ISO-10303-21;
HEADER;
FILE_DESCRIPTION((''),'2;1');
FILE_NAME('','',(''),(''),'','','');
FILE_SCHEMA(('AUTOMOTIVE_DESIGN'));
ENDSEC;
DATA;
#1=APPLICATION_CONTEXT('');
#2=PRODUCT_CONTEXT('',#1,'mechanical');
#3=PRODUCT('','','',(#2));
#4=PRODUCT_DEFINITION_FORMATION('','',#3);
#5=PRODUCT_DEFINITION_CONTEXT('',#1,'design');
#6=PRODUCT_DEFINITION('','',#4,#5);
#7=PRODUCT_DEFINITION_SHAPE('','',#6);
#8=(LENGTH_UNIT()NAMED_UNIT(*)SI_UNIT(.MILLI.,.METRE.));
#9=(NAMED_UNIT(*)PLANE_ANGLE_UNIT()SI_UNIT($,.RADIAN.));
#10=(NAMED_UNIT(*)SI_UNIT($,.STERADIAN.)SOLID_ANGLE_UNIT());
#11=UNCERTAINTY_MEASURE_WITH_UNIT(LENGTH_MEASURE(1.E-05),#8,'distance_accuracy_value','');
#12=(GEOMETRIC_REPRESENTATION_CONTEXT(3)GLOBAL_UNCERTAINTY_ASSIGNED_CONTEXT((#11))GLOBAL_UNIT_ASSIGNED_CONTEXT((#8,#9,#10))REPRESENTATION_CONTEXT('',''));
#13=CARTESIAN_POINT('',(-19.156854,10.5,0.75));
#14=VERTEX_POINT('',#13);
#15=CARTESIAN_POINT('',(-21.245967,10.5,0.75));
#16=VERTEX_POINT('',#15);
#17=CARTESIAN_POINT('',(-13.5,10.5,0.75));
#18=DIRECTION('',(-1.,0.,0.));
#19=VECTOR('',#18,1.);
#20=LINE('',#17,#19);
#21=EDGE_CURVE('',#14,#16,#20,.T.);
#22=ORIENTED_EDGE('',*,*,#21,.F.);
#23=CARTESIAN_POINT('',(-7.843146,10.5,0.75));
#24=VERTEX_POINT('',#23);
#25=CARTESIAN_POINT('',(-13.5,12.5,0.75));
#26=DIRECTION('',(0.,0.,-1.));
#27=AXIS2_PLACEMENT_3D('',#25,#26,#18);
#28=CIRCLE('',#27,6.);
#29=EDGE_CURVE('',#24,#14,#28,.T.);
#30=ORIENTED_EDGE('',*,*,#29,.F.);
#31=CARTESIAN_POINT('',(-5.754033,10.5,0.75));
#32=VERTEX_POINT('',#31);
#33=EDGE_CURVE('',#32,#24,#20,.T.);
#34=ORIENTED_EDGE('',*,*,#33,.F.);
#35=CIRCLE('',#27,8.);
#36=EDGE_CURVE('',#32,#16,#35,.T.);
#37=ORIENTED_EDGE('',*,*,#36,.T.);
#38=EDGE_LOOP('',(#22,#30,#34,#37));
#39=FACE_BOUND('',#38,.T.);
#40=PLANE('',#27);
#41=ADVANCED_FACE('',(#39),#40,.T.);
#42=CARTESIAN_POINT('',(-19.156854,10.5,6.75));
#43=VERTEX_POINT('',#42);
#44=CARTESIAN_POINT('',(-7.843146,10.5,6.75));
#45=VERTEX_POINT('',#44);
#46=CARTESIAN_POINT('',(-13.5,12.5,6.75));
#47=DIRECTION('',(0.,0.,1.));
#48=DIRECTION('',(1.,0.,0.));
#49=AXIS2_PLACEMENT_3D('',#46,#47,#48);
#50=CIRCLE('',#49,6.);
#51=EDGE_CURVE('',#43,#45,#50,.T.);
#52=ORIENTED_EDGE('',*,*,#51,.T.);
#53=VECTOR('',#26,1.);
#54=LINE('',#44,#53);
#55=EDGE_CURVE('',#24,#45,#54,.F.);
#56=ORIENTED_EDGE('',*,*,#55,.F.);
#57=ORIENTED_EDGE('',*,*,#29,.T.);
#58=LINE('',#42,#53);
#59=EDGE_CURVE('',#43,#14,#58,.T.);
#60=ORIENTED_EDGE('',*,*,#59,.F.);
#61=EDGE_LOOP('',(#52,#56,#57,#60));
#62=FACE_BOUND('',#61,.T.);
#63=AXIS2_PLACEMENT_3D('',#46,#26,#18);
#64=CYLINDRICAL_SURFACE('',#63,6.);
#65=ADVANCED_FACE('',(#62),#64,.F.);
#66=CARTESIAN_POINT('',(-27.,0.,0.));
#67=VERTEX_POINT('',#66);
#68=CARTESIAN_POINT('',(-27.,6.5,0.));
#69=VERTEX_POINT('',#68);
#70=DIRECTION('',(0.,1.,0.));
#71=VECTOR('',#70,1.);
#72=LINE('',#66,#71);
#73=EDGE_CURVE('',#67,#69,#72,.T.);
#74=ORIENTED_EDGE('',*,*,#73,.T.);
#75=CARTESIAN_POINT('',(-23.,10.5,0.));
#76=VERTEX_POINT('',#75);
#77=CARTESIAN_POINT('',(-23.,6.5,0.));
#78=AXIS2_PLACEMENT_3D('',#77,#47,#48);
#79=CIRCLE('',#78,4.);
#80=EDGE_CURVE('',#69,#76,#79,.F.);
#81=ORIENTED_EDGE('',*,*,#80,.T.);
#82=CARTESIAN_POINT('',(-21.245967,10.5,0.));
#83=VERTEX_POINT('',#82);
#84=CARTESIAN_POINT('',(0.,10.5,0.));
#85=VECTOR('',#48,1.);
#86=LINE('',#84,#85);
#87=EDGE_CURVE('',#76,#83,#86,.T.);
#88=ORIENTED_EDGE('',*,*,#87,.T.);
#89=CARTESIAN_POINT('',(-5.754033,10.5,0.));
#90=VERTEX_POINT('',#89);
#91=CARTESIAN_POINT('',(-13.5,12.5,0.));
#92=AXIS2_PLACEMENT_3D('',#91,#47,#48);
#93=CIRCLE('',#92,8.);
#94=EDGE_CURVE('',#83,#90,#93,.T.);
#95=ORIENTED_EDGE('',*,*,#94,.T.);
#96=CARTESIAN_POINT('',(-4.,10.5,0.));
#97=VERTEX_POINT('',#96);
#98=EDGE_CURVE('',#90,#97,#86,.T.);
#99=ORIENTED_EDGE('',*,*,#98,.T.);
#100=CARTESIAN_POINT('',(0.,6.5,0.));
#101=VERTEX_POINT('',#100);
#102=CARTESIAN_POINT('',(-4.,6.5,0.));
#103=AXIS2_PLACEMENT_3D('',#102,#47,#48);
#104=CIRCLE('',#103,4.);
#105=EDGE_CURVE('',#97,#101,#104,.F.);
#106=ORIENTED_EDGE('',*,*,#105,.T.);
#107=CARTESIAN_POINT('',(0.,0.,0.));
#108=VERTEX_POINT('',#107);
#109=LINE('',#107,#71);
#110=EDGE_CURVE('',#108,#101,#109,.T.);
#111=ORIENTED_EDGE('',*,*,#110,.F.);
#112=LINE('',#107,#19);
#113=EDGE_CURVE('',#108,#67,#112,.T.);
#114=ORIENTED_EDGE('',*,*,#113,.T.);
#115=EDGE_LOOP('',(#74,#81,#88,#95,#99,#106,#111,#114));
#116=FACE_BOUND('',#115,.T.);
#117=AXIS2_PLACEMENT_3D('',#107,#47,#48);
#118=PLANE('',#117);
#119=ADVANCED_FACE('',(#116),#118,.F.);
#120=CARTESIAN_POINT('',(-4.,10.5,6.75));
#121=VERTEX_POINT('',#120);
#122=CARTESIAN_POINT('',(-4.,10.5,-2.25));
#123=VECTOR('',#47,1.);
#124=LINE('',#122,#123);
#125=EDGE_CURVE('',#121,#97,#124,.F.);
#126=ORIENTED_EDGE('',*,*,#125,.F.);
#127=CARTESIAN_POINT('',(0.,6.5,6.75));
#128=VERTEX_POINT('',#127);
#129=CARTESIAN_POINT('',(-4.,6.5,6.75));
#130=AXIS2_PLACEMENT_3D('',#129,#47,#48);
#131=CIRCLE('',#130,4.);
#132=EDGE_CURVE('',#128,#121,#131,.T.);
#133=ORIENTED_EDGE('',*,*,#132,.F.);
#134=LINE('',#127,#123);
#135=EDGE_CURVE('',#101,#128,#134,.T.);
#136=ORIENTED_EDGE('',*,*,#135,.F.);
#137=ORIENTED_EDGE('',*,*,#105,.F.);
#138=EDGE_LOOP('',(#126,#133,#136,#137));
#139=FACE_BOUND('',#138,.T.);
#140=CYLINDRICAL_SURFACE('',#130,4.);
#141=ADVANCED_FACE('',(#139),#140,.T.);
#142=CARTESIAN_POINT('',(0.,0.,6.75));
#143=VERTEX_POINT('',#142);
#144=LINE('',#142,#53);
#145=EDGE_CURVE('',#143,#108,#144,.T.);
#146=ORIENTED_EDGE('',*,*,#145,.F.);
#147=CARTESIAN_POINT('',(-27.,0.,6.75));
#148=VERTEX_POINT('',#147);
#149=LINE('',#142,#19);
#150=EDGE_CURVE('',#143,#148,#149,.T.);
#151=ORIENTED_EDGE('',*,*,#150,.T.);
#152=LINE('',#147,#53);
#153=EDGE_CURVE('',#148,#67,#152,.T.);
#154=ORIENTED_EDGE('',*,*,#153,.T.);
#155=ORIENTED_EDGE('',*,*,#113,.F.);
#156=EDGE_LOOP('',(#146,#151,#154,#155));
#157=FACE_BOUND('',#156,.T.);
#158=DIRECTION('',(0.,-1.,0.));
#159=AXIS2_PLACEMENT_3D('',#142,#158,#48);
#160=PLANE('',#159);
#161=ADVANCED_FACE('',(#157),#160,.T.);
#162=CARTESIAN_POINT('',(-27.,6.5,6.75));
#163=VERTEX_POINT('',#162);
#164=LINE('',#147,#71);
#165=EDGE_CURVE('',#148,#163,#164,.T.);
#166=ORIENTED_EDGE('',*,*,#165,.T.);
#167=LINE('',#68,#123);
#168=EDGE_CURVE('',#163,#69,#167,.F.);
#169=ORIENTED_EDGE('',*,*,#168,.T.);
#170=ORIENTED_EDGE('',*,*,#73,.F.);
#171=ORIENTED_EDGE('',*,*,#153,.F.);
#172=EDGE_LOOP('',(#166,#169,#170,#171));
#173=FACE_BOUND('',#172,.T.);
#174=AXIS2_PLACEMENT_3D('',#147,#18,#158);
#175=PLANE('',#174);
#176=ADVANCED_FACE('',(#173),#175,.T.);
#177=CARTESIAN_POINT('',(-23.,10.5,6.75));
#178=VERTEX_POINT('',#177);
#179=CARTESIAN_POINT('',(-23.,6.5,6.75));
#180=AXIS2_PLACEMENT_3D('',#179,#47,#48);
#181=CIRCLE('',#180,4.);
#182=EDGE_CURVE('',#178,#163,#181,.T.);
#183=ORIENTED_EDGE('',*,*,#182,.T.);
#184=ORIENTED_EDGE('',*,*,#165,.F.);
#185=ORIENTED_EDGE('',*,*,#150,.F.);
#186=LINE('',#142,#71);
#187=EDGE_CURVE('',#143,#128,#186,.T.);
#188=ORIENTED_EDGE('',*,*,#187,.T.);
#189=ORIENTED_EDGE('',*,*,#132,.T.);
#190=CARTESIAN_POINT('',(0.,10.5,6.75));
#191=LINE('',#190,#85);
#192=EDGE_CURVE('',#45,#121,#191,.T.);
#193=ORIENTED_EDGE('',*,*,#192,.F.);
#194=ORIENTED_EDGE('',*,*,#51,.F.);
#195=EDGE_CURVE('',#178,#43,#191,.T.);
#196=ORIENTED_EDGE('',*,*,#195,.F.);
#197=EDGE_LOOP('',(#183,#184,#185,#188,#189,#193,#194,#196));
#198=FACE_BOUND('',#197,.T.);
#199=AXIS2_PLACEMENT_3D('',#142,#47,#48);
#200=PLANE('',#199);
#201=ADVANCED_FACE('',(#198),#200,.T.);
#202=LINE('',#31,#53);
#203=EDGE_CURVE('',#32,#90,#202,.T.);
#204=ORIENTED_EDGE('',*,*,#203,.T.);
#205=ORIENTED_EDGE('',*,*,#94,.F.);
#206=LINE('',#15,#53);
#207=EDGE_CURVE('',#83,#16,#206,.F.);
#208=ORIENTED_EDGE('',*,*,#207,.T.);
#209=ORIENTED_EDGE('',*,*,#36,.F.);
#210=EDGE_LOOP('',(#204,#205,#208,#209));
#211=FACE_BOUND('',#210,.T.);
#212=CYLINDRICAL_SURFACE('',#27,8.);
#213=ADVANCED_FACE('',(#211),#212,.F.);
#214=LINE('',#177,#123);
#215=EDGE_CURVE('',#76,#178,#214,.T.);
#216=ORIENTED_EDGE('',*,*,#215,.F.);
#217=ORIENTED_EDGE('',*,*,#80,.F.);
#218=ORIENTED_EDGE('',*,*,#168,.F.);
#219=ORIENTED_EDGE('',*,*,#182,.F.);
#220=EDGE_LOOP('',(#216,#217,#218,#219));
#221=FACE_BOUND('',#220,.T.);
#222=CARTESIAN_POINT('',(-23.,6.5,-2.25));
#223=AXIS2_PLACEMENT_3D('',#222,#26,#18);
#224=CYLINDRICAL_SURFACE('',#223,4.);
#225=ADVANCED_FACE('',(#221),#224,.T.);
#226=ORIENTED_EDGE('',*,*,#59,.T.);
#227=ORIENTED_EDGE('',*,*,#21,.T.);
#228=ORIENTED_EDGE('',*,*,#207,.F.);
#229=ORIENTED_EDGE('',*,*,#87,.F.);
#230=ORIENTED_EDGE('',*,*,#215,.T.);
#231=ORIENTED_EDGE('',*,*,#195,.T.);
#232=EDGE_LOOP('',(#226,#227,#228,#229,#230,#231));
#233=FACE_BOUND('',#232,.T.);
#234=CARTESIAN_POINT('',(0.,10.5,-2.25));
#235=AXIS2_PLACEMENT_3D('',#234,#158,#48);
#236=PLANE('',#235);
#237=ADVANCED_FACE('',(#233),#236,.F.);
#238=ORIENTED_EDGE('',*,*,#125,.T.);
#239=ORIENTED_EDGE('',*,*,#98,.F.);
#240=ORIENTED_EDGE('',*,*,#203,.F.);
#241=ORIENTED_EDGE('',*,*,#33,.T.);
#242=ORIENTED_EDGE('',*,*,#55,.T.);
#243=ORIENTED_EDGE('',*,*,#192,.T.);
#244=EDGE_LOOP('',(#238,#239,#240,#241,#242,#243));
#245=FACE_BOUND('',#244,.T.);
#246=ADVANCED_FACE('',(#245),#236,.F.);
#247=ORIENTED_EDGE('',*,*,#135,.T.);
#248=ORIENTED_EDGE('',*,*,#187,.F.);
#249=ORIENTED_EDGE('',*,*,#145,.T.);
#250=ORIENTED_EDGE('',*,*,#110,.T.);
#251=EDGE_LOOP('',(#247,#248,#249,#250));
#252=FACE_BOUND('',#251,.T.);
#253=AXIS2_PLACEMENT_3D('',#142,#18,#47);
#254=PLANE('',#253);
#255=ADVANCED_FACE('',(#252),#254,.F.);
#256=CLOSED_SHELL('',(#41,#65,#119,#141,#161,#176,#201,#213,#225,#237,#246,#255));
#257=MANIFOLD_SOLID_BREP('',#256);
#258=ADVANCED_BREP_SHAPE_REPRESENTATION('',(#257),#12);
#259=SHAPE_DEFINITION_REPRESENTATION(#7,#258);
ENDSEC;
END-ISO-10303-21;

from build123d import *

# Parameters (mm, degrees)
BOSS_EXTRUDE1_DEPTH = 6.75
SKETCH3_R           = 8
CUT_EXTRUDE2_DEPTH  = 0.75
SKETCH4_W           = 27
SKETCH4_H           = 2
CUT_EXTRUDE3_DEPTH  = 9
FILLET1_R           = 4


with BuildPart() as part:
    # Sketch1 → Boss-Extrude1 (new body)
    with BuildSketch(Plane.XY):
        with BuildLine():
            Line((-27, 0), (0, 0))
            Line((0, 0), (0, 12.5))
            Line((0, 12.5), (-7.5, 12.5))
            ThreePointArc((-7.5, 12.5), (-13.5, 6.5), (-19.5, 12.5))
            Line((-19.5, 12.5), (-27, 12.5))
            Line((-27, 12.5), (-27, 0))
        make_face()
    extrude(amount=BOSS_EXTRUDE1_DEPTH)

    # Sketch3 → Cut-Extrude2 (cut)
    with BuildSketch(Plane(origin=(0, 0, 0), x_dir=(-1, 0, 0), z_dir=(0, 0, -1))):
        with Locations((13.5, 12.5)):
            Circle(SKETCH3_R)
    extrude(amount=-CUT_EXTRUDE2_DEPTH, mode=Mode.SUBTRACT)

    # Sketch4 → Cut-Extrude3 (cut)
    with BuildSketch(Plane.XY.offset(6.75)):
        with Locations((-13.5, 11.5)):
            Rectangle(SKETCH4_W, SKETCH4_H)
    extrude(amount=-CUT_EXTRUDE3_DEPTH, mode=Mode.SUBTRACT)

    # Fillet1
    fillet1_edges = [part.edges().sort_by_distance(p)[0] for p in [
        (-27, 10.5, 3.375),
        (0, 10.5, 3.375),
    ]]
    fillet(fillet1_edges, radius=FILLET1_R)


solid = part.part
